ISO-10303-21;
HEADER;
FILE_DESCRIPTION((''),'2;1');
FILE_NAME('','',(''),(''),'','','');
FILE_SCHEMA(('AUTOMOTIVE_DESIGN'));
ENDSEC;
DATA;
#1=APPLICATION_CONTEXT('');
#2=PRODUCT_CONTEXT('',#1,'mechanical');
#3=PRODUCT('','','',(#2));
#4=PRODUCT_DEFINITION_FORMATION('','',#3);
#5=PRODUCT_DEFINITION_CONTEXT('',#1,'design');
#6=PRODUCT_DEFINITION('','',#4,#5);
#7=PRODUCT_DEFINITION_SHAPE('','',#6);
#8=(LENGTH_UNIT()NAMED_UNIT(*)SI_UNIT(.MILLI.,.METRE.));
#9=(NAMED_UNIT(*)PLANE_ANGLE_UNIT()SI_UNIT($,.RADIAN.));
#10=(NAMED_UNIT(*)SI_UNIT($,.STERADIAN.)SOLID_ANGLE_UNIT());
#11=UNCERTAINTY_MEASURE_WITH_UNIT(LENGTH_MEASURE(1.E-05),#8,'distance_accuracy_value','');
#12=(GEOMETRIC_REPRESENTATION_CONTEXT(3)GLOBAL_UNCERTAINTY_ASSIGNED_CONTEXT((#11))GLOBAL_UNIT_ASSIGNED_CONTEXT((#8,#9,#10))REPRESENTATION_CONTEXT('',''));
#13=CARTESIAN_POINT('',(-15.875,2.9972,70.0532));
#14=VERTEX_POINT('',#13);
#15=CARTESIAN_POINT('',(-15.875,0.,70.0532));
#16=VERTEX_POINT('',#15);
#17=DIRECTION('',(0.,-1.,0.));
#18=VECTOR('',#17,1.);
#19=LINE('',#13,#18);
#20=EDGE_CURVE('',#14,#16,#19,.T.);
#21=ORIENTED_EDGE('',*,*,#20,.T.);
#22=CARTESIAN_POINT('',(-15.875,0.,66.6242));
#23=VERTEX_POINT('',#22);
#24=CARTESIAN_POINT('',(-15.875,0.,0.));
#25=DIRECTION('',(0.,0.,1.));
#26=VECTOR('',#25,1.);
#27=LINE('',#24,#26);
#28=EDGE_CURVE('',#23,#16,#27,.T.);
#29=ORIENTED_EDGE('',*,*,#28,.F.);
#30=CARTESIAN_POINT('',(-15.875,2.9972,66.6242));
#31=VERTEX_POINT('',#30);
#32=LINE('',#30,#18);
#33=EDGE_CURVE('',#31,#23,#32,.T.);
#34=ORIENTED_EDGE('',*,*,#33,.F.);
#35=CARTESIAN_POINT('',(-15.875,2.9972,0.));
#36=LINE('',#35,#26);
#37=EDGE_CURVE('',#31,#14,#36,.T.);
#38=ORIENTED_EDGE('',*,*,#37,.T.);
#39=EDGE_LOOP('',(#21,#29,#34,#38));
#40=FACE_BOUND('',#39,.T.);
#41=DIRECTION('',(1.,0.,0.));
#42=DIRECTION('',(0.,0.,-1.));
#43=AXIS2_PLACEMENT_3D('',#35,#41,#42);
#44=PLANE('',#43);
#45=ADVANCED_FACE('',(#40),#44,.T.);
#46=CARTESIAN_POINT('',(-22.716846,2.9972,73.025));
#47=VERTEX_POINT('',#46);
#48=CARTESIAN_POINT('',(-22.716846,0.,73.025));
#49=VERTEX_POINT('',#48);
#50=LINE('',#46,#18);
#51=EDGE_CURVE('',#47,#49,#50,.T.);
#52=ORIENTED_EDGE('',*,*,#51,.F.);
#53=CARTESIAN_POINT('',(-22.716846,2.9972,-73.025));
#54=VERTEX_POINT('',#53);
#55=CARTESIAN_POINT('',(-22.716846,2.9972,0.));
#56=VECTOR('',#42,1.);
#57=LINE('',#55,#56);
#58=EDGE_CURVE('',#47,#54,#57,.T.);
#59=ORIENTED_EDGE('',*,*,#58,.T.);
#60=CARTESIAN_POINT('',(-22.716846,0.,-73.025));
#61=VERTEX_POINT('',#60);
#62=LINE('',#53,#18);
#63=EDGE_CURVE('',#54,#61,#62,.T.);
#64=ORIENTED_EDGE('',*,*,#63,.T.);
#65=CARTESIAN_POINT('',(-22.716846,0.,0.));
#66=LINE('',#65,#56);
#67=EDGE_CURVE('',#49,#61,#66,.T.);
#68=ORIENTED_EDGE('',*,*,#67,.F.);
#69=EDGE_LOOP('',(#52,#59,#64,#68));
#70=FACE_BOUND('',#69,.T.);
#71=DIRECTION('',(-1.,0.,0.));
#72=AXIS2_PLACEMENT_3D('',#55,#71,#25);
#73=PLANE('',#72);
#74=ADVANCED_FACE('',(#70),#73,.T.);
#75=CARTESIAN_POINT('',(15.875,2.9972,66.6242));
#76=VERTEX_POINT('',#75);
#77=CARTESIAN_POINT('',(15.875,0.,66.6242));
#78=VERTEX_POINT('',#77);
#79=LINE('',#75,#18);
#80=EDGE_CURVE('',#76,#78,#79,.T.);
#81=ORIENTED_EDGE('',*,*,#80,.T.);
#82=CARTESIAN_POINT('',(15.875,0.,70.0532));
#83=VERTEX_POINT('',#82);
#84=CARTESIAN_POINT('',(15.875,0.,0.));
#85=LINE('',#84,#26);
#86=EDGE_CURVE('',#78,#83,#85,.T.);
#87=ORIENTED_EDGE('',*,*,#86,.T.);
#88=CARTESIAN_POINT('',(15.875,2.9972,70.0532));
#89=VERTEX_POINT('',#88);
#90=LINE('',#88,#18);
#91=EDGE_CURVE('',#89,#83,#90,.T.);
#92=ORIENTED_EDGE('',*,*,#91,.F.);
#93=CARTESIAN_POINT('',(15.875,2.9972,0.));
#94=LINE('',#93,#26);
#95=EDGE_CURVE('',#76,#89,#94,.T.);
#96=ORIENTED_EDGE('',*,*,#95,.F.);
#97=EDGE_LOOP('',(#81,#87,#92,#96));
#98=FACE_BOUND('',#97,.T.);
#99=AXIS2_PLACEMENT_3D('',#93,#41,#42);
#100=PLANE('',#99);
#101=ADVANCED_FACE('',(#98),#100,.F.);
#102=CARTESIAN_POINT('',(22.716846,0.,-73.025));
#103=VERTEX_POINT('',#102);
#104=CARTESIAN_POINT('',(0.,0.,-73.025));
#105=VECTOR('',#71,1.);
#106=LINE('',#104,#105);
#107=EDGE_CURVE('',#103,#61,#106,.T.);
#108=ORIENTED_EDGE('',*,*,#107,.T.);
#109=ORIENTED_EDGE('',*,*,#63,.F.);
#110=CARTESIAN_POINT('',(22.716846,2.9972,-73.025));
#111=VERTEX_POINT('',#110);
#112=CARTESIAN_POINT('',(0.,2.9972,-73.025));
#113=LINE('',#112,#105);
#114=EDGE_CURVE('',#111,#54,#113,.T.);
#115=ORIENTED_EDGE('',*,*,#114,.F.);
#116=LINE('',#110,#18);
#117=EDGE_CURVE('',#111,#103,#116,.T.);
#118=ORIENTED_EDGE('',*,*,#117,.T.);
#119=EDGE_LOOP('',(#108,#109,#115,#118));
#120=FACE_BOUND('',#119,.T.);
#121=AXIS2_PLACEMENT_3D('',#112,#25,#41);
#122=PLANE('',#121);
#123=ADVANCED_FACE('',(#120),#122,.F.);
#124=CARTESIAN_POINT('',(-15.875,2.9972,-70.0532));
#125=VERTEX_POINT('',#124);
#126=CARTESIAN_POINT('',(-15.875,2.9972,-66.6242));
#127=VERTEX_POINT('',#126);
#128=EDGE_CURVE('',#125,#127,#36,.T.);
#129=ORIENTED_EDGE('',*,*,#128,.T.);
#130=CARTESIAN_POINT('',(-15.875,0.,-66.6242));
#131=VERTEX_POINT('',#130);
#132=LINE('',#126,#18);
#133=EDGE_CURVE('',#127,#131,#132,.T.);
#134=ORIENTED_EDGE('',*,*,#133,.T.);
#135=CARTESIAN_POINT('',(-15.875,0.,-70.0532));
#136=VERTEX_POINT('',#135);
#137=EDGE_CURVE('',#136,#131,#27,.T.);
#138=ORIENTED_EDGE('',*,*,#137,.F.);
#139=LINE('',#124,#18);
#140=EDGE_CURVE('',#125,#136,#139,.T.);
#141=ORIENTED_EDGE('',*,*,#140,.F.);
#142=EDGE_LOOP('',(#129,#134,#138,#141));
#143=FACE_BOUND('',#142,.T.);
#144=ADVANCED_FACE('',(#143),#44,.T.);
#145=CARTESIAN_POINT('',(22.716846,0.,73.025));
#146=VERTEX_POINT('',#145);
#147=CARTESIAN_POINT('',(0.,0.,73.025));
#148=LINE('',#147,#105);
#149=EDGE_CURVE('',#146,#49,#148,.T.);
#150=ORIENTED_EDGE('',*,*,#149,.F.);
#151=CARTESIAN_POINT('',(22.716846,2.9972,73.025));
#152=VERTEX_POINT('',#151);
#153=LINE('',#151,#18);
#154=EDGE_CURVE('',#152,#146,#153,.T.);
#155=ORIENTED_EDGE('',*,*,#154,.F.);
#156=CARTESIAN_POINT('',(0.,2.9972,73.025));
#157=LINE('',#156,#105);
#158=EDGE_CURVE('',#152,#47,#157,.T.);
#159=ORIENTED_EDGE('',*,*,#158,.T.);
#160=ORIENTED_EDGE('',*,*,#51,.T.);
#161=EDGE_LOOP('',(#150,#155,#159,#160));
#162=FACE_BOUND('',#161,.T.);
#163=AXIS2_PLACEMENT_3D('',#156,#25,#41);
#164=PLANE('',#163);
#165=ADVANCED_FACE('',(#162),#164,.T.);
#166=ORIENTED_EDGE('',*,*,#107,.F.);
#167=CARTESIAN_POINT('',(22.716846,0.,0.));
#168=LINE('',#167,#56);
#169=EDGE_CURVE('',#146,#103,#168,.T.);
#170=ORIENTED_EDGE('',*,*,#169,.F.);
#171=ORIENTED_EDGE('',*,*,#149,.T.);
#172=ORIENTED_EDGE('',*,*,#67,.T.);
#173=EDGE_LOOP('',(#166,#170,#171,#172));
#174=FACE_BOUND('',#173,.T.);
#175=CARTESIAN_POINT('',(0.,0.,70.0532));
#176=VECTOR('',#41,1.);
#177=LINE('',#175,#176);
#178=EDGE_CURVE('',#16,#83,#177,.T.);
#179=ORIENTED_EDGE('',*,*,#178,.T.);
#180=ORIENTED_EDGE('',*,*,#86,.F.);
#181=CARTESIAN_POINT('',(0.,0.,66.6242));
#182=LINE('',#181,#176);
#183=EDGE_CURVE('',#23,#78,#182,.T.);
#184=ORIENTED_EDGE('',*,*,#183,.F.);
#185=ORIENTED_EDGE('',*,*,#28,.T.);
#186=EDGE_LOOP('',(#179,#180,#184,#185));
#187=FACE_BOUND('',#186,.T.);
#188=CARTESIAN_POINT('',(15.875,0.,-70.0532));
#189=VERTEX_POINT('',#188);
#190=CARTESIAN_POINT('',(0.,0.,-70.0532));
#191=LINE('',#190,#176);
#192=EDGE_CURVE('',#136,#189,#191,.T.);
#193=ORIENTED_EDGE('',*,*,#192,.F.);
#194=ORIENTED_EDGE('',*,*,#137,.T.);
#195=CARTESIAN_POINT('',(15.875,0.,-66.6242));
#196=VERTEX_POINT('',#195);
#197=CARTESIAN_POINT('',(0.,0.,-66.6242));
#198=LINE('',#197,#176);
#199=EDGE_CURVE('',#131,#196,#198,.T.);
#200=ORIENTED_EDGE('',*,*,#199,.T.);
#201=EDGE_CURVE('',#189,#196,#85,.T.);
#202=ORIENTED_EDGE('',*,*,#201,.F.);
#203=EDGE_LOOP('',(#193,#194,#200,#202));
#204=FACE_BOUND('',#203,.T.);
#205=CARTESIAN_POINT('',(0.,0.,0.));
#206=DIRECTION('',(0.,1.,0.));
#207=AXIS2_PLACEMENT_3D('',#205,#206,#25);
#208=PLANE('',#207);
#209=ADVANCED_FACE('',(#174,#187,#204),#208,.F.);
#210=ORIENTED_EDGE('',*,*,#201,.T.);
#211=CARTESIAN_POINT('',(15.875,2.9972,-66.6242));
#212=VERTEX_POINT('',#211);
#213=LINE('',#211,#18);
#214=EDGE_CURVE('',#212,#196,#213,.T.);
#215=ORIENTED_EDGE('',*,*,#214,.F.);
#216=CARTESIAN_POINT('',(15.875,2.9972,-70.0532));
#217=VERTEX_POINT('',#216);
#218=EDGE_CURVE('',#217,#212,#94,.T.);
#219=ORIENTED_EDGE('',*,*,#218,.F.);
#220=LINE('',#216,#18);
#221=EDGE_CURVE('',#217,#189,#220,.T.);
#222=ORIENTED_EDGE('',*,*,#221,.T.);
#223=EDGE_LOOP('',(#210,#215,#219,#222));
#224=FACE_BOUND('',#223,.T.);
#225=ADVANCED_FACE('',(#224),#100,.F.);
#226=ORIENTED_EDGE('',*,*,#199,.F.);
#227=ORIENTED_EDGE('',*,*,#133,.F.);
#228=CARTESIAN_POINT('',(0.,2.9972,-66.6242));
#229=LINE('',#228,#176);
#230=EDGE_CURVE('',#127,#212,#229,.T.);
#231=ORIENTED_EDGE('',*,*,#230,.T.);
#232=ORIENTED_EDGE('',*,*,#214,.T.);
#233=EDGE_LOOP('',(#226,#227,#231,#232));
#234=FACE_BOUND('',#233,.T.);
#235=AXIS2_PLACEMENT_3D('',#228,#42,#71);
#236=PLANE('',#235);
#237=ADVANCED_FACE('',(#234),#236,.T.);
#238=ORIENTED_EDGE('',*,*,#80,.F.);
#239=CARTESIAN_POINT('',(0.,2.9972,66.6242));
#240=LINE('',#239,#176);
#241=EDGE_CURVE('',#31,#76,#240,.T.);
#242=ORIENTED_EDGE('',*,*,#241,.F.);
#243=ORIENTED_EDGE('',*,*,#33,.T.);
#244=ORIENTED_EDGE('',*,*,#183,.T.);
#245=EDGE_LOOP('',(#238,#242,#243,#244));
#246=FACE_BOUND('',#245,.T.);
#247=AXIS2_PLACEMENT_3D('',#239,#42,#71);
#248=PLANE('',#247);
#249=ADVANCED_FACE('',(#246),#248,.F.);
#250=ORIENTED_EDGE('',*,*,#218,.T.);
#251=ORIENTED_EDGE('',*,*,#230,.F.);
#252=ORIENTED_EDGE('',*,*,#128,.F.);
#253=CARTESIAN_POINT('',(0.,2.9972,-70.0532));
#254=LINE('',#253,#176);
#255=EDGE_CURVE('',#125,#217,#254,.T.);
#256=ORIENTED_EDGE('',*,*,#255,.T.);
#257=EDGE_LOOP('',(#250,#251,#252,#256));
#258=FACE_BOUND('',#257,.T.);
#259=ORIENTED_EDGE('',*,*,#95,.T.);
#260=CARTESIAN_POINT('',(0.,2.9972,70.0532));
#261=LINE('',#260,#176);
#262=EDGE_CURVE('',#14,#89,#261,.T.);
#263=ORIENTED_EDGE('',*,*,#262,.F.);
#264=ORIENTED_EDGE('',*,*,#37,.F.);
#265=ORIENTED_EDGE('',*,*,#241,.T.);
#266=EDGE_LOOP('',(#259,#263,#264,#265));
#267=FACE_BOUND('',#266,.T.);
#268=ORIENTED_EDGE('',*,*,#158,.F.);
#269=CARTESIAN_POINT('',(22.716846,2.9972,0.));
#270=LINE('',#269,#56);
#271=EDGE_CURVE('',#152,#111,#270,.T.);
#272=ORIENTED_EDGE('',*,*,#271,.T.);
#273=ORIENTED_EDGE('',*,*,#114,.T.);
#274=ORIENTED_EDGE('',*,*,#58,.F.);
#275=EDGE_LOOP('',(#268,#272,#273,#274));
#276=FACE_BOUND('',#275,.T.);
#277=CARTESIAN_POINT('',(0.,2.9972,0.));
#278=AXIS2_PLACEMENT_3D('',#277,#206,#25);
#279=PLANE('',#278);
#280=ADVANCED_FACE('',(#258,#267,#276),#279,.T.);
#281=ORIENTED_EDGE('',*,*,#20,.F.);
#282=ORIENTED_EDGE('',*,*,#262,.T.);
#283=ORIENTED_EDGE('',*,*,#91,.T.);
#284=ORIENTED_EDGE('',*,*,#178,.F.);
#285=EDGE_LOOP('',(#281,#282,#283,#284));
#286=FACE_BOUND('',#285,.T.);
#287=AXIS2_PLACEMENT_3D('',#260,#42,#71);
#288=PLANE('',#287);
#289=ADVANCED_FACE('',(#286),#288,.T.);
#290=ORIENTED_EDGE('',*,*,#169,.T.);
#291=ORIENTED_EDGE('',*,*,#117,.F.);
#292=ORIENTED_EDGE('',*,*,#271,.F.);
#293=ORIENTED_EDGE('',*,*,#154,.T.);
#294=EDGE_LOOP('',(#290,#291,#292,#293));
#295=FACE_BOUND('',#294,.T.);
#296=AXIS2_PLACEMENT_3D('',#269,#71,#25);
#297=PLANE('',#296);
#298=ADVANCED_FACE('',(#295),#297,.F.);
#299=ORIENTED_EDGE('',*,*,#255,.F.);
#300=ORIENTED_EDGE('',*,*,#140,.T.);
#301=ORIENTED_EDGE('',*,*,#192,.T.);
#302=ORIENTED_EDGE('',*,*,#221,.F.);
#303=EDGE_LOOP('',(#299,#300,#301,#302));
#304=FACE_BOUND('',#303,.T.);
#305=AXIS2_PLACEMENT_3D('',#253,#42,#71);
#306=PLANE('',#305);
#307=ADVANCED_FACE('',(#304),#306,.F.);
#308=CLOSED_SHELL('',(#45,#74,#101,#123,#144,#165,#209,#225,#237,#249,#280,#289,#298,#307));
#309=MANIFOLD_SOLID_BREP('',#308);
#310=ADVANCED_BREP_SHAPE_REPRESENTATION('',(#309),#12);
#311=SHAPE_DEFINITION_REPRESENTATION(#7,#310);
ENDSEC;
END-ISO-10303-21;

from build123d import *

# Parameters (mm, degrees)
SKETCH1_W           = 45.4336912
SKETCH1_H           = 146.05
SKETCH1_W_2         = 31.75
SKETCH1_H_2         = 3.429
BOSS_EXTRUDE1_DEPTH = 2.9972


with BuildPart() as part:
    # Sketch1 → Boss-Extrude1 (new body)
    with BuildSketch(Plane(origin=(0, 0, 0), x_dir=(1, 0, 0), z_dir=(0, 1, 0))):
        Rectangle(SKETCH1_W, SKETCH1_H)
        with Locations((0, 68.3387)):
            Rectangle(SKETCH1_W_2, SKETCH1_H_2, mode=Mode.SUBTRACT)
        with Locations((0, -68.3387)):
            Rectangle(SKETCH1_W_2, SKETCH1_H_2, mode=Mode.SUBTRACT)
    extrude(amount=BOSS_EXTRUDE1_DEPTH)


solid = part.part
